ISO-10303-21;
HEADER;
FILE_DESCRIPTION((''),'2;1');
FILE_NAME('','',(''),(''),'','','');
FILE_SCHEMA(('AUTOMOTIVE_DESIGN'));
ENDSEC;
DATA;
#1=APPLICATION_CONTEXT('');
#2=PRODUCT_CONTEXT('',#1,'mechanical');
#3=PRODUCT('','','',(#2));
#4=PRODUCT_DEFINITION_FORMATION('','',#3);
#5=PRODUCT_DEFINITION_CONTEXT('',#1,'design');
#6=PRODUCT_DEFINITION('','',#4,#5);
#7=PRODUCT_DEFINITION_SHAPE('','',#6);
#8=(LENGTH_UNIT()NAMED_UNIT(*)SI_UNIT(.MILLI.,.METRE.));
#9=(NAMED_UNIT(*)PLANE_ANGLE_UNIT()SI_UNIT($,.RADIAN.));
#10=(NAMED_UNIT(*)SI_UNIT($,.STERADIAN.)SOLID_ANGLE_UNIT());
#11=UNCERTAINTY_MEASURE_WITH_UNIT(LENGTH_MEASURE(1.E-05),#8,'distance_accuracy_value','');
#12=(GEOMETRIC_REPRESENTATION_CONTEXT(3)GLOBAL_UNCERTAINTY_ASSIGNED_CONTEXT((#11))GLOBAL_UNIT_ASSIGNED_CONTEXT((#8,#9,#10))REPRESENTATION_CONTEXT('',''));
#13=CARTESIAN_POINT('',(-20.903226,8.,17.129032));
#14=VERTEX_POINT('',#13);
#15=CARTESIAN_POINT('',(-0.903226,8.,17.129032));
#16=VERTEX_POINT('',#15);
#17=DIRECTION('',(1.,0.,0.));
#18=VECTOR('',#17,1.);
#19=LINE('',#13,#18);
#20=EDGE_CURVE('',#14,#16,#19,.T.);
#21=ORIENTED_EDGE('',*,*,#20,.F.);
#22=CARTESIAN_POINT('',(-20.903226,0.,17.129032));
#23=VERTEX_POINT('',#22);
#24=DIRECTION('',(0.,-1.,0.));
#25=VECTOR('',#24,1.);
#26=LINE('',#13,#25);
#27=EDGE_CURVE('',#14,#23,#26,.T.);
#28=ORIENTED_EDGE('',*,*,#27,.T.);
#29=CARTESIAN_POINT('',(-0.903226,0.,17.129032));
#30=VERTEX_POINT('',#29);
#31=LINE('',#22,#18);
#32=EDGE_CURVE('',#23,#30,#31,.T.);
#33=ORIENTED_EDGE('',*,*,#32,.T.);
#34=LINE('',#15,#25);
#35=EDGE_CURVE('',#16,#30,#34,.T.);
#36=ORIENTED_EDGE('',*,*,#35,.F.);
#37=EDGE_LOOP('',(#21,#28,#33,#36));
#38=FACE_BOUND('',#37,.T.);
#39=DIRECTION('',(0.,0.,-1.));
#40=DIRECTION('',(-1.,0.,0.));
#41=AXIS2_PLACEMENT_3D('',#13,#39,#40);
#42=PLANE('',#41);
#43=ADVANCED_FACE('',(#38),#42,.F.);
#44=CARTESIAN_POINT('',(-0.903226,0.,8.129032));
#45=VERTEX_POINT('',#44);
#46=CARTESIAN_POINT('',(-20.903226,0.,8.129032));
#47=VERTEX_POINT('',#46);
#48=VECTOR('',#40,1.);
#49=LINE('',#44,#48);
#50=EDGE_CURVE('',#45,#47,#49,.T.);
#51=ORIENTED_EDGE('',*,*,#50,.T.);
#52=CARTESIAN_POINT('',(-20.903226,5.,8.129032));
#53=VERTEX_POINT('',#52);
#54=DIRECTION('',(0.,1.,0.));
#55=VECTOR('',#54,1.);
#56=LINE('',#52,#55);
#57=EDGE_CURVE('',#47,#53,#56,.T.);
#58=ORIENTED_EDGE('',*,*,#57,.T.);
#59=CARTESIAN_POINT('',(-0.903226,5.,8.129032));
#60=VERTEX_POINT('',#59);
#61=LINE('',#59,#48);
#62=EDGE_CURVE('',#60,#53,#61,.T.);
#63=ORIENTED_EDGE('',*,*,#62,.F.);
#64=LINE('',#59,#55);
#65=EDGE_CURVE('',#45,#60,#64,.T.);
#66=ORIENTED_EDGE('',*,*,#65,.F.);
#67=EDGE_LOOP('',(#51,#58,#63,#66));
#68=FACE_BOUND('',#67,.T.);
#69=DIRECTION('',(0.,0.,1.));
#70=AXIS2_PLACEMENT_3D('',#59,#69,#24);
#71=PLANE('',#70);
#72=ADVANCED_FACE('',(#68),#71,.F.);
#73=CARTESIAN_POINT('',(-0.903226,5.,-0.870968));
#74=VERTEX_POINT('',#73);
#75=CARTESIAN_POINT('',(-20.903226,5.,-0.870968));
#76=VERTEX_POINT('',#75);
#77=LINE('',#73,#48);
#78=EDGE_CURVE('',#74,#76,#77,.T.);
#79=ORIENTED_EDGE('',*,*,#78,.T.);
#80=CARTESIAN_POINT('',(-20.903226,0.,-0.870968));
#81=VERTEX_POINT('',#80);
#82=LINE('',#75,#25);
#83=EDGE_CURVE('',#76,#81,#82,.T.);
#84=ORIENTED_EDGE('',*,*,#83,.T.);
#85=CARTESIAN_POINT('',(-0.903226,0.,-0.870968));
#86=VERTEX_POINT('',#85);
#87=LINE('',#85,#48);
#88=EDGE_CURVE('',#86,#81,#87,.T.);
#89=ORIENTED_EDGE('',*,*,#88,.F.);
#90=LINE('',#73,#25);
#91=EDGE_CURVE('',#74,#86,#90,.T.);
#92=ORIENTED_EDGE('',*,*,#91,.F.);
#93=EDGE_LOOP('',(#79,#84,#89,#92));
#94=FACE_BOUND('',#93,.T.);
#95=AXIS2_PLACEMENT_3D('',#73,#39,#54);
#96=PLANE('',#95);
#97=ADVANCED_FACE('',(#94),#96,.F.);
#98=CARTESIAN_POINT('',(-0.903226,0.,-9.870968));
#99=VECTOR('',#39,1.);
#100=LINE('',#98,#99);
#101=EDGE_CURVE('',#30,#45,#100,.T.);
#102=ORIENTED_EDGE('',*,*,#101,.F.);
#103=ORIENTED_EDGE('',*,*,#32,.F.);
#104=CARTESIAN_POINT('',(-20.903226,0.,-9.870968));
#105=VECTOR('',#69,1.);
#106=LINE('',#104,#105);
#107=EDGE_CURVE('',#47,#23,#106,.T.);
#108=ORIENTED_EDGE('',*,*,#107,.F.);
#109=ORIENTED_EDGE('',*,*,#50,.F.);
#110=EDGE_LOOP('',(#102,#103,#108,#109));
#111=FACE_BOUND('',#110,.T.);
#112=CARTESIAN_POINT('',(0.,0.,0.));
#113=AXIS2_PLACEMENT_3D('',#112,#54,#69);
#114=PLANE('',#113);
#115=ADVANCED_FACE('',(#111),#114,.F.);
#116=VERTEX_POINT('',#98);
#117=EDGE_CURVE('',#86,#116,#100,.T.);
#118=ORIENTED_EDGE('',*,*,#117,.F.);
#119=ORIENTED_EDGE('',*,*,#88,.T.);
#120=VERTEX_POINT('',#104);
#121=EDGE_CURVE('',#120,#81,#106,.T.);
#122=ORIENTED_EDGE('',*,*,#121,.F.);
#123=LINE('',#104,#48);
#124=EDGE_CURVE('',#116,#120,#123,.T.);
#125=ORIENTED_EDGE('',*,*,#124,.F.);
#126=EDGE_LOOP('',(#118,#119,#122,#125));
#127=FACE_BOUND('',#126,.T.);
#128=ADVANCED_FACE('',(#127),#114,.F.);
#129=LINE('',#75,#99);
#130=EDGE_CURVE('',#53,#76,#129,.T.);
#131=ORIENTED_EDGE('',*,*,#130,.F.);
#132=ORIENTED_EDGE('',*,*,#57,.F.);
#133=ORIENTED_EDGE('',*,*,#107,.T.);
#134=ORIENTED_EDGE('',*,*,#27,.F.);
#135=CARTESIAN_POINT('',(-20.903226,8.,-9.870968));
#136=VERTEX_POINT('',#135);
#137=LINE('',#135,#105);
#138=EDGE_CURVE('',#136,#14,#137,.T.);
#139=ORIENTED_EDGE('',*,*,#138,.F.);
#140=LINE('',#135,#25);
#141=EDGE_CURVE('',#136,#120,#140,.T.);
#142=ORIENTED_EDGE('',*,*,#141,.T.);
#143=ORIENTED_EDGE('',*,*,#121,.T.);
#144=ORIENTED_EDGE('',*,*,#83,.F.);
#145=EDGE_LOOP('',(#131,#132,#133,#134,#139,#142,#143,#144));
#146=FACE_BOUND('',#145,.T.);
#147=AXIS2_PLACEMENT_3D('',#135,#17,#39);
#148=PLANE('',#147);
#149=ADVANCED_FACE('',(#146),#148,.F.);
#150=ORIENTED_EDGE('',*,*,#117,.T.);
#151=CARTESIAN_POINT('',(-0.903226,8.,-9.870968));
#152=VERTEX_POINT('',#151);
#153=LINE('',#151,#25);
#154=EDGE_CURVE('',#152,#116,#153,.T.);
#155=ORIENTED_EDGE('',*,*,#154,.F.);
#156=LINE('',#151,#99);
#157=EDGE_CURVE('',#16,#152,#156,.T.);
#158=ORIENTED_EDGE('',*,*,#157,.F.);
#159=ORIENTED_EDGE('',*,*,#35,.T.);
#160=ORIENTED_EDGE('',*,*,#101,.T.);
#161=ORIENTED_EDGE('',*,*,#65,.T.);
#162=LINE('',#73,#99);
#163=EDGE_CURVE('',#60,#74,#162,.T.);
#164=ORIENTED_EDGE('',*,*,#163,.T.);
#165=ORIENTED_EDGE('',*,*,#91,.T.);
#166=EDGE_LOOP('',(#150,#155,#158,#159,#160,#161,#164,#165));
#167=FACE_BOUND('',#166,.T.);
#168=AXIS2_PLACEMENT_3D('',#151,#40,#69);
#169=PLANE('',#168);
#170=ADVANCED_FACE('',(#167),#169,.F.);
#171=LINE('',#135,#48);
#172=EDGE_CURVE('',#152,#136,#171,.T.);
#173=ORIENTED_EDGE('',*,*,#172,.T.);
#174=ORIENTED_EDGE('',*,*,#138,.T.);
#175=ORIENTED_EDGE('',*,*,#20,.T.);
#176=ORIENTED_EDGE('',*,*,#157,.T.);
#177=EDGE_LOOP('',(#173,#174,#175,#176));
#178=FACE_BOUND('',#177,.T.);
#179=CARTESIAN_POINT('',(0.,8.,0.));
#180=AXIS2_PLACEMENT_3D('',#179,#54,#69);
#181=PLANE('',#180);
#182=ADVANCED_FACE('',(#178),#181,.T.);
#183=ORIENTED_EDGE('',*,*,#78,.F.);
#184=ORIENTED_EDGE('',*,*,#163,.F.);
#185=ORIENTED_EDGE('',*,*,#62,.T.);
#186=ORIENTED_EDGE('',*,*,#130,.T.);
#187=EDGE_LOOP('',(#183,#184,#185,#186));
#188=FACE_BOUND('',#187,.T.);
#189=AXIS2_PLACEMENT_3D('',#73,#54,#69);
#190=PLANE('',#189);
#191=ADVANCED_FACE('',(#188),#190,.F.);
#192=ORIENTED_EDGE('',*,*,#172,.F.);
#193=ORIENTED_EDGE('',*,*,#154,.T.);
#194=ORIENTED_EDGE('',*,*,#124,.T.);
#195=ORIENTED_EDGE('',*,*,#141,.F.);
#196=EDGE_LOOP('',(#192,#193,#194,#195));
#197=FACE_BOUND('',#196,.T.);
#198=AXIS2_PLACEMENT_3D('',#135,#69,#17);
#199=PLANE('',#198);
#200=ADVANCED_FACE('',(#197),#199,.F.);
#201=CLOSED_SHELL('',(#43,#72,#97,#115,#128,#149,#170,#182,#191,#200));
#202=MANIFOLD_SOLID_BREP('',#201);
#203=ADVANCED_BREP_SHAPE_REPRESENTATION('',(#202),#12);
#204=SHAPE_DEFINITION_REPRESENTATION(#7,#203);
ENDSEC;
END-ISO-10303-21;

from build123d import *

# Parameters (mm, degrees)
SKETCH1_W           = 20
SKETCH1_H           = 27
BOSS_EXTRUDE1_DEPTH = 8
SKETCH2_W           = 9
SKETCH2_H           = 5
CUT_EXTRUDE1_DEPTH  = 20


with BuildPart() as part:
    # Sketch1 → Boss-Extrude1 (new body)
    with BuildSketch(Plane(origin=(0, 0, 0), x_dir=(1, 0, 0), z_dir=(0, 1, 0))):
        with Locations((-10.903225806, -3.629032258)):
            Rectangle(SKETCH1_W, SKETCH1_H)
    extrude(amount=BOSS_EXTRUDE1_DEPTH)

    # Sketch2 → Cut-Extrude1 (cut)
    with BuildSketch(Plane.ZY.offset(20.903225806)):
        with Locations((3.629032258, 2.5)):
            Rectangle(SKETCH2_W, SKETCH2_H)
    extrude(amount=-CUT_EXTRUDE1_DEPTH, mode=Mode.SUBTRACT)


solid = part.part
